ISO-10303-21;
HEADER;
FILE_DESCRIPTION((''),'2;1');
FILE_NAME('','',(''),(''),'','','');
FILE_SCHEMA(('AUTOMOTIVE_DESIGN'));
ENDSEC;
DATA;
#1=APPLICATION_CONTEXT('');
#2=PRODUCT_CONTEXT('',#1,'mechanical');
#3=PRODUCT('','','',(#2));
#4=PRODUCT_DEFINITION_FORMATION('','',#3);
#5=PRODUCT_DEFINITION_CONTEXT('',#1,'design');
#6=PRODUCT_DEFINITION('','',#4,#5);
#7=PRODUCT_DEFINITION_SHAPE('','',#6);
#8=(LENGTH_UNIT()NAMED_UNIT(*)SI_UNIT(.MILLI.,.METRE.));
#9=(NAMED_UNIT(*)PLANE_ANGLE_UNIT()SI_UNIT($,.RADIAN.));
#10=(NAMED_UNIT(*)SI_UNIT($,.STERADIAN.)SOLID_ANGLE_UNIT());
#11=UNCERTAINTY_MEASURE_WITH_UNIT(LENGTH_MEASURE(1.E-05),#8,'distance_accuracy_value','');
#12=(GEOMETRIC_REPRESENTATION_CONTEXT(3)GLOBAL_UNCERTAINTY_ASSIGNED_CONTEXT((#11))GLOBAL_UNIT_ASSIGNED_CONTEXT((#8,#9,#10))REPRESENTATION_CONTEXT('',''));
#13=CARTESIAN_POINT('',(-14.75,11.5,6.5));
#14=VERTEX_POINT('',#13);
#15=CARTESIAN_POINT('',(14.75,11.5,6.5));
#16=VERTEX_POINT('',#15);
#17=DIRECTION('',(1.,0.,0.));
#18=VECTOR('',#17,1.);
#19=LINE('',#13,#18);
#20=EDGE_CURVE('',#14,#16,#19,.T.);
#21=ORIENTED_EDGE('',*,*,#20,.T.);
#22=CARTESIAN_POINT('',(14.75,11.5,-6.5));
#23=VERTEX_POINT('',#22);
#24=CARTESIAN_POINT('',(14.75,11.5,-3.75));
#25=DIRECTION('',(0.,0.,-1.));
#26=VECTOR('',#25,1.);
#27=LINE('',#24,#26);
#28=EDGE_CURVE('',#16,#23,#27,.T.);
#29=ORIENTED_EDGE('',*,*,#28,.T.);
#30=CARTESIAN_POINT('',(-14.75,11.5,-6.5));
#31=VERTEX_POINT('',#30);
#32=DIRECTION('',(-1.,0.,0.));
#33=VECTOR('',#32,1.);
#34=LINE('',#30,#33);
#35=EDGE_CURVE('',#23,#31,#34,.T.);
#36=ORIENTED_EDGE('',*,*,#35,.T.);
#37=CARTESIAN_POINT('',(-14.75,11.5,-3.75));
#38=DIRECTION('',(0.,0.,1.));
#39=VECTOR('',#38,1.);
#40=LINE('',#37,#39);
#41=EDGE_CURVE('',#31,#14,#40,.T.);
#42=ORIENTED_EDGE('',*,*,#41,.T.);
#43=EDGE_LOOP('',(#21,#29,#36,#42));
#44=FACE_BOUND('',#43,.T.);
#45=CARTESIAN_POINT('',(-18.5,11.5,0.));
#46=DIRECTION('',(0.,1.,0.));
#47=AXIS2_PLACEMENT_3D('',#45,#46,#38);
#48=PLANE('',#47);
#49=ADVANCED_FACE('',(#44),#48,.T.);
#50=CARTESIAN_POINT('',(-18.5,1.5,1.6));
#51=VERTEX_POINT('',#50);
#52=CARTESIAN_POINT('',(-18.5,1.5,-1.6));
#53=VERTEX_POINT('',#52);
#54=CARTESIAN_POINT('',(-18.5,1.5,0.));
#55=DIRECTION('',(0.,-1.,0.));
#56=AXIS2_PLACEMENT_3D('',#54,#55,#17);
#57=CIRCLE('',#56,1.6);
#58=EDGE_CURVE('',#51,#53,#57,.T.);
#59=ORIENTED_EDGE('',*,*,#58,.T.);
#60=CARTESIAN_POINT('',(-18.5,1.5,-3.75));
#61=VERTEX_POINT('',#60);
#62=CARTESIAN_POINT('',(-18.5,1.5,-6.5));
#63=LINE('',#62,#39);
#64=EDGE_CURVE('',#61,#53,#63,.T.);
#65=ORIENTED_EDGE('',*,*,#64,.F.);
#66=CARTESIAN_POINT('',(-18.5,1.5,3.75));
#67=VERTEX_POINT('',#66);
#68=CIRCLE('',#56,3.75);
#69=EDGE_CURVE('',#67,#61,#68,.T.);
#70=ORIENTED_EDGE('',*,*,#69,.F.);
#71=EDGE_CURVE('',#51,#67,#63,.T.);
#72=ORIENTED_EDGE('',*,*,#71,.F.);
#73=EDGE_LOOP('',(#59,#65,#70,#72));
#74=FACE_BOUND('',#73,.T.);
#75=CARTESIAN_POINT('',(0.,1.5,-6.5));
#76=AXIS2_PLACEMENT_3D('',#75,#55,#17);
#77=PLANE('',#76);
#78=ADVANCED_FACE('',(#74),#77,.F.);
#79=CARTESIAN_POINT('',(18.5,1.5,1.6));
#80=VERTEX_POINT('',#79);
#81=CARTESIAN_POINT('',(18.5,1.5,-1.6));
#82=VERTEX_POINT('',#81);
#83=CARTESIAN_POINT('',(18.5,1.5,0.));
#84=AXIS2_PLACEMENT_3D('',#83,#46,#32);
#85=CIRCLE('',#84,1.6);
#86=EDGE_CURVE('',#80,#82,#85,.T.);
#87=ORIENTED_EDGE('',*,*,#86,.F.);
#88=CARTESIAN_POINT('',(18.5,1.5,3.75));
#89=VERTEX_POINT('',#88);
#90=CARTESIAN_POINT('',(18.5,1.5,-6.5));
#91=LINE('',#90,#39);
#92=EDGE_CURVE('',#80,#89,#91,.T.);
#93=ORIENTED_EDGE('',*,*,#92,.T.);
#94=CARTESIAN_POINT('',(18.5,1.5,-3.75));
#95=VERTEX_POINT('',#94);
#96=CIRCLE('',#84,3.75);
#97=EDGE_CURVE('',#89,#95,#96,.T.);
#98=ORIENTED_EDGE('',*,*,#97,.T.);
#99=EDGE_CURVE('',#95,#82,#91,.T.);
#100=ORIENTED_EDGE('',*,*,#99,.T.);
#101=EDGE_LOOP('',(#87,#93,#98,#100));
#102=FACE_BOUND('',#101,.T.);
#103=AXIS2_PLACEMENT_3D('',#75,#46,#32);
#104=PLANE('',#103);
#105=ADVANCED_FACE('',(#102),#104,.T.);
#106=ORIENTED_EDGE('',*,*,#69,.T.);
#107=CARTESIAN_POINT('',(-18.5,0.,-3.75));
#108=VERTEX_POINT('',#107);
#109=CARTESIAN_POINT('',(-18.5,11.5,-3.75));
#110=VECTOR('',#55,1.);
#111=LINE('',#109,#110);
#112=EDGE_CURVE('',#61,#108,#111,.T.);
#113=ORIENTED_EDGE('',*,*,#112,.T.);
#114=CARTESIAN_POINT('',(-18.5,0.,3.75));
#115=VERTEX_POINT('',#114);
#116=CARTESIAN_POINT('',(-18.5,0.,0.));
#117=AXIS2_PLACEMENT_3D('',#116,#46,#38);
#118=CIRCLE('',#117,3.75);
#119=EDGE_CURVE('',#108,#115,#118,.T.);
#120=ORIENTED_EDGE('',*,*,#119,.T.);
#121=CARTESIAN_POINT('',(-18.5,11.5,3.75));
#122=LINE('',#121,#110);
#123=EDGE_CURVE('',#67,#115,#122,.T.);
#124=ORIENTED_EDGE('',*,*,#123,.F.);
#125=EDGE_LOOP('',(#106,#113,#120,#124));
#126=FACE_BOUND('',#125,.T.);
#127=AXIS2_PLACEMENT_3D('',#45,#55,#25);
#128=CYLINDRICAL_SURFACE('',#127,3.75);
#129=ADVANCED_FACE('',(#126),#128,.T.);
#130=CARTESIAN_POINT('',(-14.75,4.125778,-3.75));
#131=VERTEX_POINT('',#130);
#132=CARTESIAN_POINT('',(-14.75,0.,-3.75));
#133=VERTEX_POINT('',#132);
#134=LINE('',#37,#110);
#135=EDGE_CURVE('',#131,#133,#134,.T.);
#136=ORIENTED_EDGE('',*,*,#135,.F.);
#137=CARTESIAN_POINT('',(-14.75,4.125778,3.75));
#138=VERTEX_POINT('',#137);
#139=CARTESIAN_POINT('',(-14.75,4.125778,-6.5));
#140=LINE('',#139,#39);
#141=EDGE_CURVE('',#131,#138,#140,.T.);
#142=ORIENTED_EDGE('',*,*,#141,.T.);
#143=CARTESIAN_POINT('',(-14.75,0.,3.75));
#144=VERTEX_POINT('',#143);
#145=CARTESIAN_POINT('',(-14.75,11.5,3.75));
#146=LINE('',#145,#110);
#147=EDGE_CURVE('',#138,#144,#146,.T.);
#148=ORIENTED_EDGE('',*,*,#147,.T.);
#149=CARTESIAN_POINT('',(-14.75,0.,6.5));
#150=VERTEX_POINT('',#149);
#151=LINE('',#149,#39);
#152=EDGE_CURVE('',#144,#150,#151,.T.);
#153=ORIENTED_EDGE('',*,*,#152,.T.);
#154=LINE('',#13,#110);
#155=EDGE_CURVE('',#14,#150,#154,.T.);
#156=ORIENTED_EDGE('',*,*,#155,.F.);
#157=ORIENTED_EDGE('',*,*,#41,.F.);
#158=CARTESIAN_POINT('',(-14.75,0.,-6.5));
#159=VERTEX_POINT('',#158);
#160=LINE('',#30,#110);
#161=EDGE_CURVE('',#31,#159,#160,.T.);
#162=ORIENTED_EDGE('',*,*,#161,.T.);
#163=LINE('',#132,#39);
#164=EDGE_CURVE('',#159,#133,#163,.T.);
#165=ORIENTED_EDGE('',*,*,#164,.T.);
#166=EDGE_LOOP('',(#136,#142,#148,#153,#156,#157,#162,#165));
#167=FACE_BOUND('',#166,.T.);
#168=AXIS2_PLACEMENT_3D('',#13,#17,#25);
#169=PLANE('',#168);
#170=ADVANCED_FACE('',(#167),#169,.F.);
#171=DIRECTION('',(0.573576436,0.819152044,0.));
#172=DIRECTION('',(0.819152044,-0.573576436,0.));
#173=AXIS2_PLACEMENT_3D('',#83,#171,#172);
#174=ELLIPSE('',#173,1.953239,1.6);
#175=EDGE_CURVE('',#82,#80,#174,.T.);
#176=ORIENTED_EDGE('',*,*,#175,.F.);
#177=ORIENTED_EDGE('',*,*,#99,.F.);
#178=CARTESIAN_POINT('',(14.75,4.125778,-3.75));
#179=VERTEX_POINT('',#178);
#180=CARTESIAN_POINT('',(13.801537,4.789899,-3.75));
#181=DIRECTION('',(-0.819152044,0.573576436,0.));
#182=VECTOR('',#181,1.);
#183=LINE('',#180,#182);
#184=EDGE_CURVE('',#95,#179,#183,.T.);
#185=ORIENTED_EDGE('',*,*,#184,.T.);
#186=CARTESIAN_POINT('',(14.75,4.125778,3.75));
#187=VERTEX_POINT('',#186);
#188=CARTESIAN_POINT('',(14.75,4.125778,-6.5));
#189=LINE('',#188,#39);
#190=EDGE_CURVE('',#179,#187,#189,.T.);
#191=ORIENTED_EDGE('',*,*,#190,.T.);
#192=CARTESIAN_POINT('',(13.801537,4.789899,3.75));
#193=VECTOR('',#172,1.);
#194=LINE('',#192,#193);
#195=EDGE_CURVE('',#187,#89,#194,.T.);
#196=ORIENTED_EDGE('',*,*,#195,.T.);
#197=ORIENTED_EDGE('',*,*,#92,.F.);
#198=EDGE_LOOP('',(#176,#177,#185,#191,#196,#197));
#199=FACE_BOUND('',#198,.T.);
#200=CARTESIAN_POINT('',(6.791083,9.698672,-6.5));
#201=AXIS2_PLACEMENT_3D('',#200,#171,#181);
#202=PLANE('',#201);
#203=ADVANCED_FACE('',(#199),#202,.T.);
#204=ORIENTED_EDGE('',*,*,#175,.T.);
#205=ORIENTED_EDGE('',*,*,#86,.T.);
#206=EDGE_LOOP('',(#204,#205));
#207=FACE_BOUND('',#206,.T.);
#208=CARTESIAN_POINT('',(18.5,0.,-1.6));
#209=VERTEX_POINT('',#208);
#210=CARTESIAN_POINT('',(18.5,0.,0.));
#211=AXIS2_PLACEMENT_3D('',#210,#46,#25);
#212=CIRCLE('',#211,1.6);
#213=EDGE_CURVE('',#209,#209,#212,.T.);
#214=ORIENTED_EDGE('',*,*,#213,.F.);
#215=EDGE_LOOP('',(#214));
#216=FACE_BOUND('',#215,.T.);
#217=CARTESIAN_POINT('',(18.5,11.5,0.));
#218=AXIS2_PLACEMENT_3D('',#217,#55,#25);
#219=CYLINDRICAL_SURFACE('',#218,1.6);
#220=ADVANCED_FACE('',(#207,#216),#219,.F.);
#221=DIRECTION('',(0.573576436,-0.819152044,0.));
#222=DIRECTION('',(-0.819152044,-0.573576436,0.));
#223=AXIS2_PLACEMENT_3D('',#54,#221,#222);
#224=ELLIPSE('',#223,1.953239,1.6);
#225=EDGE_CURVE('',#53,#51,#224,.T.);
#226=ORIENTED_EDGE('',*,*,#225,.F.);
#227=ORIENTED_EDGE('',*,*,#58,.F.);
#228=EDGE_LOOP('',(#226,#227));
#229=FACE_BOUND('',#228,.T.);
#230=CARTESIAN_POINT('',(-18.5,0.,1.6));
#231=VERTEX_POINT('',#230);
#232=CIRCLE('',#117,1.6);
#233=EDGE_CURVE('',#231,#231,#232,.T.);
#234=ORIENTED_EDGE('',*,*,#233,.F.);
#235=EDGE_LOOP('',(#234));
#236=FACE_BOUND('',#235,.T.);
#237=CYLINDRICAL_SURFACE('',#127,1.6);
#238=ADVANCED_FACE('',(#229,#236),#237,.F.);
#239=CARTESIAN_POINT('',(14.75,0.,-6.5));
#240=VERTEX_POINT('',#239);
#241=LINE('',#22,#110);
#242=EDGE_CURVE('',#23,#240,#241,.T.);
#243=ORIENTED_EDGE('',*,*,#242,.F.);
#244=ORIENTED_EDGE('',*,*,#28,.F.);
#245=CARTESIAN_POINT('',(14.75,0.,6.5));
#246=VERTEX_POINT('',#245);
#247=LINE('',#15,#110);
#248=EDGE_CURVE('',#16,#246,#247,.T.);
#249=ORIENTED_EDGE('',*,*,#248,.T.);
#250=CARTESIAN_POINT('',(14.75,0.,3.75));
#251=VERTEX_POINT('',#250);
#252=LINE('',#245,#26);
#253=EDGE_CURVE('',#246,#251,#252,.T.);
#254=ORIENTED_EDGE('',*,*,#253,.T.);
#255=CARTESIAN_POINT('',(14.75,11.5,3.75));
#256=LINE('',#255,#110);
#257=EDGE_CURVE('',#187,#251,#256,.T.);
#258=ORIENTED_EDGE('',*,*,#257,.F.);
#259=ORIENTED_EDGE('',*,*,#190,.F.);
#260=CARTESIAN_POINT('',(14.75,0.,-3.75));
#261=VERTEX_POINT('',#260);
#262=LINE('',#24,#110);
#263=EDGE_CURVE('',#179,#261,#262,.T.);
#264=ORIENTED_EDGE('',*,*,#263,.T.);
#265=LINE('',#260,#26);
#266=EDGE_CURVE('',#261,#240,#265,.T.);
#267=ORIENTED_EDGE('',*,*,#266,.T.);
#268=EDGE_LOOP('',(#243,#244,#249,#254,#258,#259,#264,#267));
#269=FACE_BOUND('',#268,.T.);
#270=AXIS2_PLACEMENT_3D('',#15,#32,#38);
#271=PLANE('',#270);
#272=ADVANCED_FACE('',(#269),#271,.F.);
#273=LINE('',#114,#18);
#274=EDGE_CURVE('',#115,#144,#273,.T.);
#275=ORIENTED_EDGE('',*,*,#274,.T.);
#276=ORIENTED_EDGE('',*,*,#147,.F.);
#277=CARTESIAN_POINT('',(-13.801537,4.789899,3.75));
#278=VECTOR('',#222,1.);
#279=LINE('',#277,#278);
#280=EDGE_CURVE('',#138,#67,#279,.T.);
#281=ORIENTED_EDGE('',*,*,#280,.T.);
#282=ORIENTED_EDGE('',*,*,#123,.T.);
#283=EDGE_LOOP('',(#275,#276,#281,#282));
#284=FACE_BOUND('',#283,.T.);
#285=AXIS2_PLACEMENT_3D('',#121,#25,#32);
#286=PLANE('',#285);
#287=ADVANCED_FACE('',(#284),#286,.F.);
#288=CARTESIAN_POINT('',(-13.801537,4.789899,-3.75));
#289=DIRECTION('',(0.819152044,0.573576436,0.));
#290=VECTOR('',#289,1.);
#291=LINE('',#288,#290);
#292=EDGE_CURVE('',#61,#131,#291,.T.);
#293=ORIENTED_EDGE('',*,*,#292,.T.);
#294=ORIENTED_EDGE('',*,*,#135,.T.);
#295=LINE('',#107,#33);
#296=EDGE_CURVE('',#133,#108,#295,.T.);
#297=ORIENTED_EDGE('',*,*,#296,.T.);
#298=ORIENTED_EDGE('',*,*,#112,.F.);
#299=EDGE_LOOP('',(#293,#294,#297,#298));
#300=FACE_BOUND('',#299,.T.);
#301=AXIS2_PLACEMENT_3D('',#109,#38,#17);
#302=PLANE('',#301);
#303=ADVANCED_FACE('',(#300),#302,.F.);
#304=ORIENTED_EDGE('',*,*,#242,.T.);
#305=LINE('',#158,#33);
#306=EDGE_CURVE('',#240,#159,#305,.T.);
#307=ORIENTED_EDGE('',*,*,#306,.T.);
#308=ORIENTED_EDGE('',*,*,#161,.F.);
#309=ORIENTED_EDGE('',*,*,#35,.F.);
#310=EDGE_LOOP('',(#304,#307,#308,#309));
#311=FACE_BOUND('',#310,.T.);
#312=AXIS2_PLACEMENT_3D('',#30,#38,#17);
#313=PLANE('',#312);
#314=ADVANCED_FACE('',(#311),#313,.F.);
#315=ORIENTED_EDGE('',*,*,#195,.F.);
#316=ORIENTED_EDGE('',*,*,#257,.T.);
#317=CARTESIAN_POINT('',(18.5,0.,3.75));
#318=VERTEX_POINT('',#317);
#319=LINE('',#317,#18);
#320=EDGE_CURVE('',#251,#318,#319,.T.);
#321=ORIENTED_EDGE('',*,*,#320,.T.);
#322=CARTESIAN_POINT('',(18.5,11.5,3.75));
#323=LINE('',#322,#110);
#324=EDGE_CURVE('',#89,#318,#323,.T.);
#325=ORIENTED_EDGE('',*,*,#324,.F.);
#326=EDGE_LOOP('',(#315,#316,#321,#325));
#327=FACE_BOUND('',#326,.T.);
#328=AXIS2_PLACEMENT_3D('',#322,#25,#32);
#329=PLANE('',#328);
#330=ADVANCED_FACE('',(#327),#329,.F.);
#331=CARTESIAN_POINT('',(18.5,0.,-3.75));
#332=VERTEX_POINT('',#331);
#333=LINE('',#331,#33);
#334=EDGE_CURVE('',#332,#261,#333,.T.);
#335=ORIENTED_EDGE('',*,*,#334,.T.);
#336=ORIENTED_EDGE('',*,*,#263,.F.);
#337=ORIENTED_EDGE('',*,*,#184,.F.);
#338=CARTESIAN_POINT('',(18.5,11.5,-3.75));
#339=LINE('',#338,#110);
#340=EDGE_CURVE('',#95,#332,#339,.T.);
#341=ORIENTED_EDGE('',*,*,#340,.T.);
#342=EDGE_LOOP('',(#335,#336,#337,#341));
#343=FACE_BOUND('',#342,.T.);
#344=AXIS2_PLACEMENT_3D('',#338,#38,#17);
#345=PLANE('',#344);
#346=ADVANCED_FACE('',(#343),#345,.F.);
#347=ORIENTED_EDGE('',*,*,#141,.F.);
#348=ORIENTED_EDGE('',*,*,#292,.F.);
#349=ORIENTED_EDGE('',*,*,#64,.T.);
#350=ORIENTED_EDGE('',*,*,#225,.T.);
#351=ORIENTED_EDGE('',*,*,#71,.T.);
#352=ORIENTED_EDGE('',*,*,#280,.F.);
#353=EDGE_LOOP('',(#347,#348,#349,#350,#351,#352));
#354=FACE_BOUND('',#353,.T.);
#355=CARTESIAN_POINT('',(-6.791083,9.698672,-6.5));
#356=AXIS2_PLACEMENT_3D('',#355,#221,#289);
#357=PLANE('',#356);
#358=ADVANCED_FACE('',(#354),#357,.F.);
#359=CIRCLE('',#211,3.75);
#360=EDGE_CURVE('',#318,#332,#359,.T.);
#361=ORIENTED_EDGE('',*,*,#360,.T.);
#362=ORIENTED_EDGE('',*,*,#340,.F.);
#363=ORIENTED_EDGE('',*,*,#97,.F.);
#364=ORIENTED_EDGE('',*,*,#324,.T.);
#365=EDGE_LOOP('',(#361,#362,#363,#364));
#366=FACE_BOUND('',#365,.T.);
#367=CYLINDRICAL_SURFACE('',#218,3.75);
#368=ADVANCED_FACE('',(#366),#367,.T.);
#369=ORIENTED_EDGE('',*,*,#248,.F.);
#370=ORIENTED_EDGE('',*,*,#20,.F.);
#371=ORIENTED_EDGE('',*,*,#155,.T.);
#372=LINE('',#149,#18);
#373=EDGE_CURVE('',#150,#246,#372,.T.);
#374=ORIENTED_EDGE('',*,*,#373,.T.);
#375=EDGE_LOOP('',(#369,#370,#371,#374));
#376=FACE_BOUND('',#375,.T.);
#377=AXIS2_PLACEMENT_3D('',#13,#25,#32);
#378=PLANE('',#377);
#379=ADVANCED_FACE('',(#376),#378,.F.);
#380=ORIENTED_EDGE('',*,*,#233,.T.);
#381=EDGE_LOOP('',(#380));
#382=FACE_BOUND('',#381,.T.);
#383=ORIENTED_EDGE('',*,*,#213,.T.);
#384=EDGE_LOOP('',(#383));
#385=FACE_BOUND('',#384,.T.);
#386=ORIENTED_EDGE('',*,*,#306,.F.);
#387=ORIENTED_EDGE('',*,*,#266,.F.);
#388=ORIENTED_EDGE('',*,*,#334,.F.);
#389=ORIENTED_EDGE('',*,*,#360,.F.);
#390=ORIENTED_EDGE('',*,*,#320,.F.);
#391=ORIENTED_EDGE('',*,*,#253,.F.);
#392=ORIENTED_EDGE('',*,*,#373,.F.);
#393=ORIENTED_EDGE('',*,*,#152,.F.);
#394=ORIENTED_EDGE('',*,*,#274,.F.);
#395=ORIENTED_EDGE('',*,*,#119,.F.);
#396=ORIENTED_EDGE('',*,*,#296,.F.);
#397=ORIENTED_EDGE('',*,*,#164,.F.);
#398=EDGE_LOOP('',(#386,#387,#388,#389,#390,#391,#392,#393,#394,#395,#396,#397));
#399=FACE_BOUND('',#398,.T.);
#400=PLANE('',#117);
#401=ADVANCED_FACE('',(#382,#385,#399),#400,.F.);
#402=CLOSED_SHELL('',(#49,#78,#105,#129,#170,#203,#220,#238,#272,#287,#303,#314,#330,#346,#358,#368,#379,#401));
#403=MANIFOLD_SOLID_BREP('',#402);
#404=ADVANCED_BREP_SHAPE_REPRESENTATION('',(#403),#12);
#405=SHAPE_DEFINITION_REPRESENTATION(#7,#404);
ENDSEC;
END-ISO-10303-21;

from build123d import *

# Parameters (mm, degrees)
CROQUIS1_R                 = 1.6
SALIENTE_EXTRUIR2_DEPTH    = 11.5
CORTAR_EXTRUIR1_DEPTH      = 26.875905781
CORTAR_EXTRUIR1_DEPTH_BACK = 26.875905781


with BuildPart() as part:
    # Croquis1 → Saliente-Extruir2 (new body)
    with BuildSketch(Plane(origin=(0, 0, 0), x_dir=(1, 0, 0), z_dir=(0, 1, 0))):
        with BuildLine():
            Line((-14.75, -6.5), (14.75, -6.5))
            Line((14.75, -6.5), (14.75, -3.75))
            Line((14.75, -3.75), (18.5, -3.75))
            ThreePointArc((18.5, -3.75), (22.25, 0), (18.5, 3.75))
            Line((18.5, 3.75), (14.75, 3.75))
            Line((14.75, 3.75), (14.75, 6.5))
            Line((14.75, 6.5), (-14.75, 6.5))
            Line((-14.75, 6.5), (-14.75, 3.75))
            Line((-14.75, 3.75), (-18.5, 3.75))
            ThreePointArc((-18.5, 3.75), (-22.25, 0), (-18.5, -3.75))
            Line((-18.5, -3.75), (-14.75, -3.75))
            Line((-14.75, -3.75), (-14.75, -6.5))
        make_face()
        with Locations(Location((-18.5, 0, 0), (0, 0, 270))):
            Circle(CROQUIS1_R, mode=Mode.SUBTRACT)
        with Locations(Location((18.5, 0, 0), (0, 0, 90))):
            Circle(CROQUIS1_R, mode=Mode.SUBTRACT)
    extrude(amount=SALIENTE_EXTRUIR2_DEPTH)

    # Croquis2 → Cortar-Extruir1 (cut, two sides: drawn at the far end of the back side and taken through both)
    with BuildSketch(Plane.XY.offset(-CORTAR_EXTRUIR1_DEPTH_BACK)):
        Polygon((22.25, 11.5), (22.25, 1.5), (18.5, 1.5), (14.75, 4.125778268), (14.75, 11.5), align=None)
        Polygon((-22.25, 11.5), (-22.25, 1.5), (-18.5, 1.5), (-14.75, 4.125778268), (-14.75, 11.5), align=None)
    extrude(amount=CORTAR_EXTRUIR1_DEPTH + CORTAR_EXTRUIR1_DEPTH_BACK, mode=Mode.SUBTRACT)


solid = part.part
